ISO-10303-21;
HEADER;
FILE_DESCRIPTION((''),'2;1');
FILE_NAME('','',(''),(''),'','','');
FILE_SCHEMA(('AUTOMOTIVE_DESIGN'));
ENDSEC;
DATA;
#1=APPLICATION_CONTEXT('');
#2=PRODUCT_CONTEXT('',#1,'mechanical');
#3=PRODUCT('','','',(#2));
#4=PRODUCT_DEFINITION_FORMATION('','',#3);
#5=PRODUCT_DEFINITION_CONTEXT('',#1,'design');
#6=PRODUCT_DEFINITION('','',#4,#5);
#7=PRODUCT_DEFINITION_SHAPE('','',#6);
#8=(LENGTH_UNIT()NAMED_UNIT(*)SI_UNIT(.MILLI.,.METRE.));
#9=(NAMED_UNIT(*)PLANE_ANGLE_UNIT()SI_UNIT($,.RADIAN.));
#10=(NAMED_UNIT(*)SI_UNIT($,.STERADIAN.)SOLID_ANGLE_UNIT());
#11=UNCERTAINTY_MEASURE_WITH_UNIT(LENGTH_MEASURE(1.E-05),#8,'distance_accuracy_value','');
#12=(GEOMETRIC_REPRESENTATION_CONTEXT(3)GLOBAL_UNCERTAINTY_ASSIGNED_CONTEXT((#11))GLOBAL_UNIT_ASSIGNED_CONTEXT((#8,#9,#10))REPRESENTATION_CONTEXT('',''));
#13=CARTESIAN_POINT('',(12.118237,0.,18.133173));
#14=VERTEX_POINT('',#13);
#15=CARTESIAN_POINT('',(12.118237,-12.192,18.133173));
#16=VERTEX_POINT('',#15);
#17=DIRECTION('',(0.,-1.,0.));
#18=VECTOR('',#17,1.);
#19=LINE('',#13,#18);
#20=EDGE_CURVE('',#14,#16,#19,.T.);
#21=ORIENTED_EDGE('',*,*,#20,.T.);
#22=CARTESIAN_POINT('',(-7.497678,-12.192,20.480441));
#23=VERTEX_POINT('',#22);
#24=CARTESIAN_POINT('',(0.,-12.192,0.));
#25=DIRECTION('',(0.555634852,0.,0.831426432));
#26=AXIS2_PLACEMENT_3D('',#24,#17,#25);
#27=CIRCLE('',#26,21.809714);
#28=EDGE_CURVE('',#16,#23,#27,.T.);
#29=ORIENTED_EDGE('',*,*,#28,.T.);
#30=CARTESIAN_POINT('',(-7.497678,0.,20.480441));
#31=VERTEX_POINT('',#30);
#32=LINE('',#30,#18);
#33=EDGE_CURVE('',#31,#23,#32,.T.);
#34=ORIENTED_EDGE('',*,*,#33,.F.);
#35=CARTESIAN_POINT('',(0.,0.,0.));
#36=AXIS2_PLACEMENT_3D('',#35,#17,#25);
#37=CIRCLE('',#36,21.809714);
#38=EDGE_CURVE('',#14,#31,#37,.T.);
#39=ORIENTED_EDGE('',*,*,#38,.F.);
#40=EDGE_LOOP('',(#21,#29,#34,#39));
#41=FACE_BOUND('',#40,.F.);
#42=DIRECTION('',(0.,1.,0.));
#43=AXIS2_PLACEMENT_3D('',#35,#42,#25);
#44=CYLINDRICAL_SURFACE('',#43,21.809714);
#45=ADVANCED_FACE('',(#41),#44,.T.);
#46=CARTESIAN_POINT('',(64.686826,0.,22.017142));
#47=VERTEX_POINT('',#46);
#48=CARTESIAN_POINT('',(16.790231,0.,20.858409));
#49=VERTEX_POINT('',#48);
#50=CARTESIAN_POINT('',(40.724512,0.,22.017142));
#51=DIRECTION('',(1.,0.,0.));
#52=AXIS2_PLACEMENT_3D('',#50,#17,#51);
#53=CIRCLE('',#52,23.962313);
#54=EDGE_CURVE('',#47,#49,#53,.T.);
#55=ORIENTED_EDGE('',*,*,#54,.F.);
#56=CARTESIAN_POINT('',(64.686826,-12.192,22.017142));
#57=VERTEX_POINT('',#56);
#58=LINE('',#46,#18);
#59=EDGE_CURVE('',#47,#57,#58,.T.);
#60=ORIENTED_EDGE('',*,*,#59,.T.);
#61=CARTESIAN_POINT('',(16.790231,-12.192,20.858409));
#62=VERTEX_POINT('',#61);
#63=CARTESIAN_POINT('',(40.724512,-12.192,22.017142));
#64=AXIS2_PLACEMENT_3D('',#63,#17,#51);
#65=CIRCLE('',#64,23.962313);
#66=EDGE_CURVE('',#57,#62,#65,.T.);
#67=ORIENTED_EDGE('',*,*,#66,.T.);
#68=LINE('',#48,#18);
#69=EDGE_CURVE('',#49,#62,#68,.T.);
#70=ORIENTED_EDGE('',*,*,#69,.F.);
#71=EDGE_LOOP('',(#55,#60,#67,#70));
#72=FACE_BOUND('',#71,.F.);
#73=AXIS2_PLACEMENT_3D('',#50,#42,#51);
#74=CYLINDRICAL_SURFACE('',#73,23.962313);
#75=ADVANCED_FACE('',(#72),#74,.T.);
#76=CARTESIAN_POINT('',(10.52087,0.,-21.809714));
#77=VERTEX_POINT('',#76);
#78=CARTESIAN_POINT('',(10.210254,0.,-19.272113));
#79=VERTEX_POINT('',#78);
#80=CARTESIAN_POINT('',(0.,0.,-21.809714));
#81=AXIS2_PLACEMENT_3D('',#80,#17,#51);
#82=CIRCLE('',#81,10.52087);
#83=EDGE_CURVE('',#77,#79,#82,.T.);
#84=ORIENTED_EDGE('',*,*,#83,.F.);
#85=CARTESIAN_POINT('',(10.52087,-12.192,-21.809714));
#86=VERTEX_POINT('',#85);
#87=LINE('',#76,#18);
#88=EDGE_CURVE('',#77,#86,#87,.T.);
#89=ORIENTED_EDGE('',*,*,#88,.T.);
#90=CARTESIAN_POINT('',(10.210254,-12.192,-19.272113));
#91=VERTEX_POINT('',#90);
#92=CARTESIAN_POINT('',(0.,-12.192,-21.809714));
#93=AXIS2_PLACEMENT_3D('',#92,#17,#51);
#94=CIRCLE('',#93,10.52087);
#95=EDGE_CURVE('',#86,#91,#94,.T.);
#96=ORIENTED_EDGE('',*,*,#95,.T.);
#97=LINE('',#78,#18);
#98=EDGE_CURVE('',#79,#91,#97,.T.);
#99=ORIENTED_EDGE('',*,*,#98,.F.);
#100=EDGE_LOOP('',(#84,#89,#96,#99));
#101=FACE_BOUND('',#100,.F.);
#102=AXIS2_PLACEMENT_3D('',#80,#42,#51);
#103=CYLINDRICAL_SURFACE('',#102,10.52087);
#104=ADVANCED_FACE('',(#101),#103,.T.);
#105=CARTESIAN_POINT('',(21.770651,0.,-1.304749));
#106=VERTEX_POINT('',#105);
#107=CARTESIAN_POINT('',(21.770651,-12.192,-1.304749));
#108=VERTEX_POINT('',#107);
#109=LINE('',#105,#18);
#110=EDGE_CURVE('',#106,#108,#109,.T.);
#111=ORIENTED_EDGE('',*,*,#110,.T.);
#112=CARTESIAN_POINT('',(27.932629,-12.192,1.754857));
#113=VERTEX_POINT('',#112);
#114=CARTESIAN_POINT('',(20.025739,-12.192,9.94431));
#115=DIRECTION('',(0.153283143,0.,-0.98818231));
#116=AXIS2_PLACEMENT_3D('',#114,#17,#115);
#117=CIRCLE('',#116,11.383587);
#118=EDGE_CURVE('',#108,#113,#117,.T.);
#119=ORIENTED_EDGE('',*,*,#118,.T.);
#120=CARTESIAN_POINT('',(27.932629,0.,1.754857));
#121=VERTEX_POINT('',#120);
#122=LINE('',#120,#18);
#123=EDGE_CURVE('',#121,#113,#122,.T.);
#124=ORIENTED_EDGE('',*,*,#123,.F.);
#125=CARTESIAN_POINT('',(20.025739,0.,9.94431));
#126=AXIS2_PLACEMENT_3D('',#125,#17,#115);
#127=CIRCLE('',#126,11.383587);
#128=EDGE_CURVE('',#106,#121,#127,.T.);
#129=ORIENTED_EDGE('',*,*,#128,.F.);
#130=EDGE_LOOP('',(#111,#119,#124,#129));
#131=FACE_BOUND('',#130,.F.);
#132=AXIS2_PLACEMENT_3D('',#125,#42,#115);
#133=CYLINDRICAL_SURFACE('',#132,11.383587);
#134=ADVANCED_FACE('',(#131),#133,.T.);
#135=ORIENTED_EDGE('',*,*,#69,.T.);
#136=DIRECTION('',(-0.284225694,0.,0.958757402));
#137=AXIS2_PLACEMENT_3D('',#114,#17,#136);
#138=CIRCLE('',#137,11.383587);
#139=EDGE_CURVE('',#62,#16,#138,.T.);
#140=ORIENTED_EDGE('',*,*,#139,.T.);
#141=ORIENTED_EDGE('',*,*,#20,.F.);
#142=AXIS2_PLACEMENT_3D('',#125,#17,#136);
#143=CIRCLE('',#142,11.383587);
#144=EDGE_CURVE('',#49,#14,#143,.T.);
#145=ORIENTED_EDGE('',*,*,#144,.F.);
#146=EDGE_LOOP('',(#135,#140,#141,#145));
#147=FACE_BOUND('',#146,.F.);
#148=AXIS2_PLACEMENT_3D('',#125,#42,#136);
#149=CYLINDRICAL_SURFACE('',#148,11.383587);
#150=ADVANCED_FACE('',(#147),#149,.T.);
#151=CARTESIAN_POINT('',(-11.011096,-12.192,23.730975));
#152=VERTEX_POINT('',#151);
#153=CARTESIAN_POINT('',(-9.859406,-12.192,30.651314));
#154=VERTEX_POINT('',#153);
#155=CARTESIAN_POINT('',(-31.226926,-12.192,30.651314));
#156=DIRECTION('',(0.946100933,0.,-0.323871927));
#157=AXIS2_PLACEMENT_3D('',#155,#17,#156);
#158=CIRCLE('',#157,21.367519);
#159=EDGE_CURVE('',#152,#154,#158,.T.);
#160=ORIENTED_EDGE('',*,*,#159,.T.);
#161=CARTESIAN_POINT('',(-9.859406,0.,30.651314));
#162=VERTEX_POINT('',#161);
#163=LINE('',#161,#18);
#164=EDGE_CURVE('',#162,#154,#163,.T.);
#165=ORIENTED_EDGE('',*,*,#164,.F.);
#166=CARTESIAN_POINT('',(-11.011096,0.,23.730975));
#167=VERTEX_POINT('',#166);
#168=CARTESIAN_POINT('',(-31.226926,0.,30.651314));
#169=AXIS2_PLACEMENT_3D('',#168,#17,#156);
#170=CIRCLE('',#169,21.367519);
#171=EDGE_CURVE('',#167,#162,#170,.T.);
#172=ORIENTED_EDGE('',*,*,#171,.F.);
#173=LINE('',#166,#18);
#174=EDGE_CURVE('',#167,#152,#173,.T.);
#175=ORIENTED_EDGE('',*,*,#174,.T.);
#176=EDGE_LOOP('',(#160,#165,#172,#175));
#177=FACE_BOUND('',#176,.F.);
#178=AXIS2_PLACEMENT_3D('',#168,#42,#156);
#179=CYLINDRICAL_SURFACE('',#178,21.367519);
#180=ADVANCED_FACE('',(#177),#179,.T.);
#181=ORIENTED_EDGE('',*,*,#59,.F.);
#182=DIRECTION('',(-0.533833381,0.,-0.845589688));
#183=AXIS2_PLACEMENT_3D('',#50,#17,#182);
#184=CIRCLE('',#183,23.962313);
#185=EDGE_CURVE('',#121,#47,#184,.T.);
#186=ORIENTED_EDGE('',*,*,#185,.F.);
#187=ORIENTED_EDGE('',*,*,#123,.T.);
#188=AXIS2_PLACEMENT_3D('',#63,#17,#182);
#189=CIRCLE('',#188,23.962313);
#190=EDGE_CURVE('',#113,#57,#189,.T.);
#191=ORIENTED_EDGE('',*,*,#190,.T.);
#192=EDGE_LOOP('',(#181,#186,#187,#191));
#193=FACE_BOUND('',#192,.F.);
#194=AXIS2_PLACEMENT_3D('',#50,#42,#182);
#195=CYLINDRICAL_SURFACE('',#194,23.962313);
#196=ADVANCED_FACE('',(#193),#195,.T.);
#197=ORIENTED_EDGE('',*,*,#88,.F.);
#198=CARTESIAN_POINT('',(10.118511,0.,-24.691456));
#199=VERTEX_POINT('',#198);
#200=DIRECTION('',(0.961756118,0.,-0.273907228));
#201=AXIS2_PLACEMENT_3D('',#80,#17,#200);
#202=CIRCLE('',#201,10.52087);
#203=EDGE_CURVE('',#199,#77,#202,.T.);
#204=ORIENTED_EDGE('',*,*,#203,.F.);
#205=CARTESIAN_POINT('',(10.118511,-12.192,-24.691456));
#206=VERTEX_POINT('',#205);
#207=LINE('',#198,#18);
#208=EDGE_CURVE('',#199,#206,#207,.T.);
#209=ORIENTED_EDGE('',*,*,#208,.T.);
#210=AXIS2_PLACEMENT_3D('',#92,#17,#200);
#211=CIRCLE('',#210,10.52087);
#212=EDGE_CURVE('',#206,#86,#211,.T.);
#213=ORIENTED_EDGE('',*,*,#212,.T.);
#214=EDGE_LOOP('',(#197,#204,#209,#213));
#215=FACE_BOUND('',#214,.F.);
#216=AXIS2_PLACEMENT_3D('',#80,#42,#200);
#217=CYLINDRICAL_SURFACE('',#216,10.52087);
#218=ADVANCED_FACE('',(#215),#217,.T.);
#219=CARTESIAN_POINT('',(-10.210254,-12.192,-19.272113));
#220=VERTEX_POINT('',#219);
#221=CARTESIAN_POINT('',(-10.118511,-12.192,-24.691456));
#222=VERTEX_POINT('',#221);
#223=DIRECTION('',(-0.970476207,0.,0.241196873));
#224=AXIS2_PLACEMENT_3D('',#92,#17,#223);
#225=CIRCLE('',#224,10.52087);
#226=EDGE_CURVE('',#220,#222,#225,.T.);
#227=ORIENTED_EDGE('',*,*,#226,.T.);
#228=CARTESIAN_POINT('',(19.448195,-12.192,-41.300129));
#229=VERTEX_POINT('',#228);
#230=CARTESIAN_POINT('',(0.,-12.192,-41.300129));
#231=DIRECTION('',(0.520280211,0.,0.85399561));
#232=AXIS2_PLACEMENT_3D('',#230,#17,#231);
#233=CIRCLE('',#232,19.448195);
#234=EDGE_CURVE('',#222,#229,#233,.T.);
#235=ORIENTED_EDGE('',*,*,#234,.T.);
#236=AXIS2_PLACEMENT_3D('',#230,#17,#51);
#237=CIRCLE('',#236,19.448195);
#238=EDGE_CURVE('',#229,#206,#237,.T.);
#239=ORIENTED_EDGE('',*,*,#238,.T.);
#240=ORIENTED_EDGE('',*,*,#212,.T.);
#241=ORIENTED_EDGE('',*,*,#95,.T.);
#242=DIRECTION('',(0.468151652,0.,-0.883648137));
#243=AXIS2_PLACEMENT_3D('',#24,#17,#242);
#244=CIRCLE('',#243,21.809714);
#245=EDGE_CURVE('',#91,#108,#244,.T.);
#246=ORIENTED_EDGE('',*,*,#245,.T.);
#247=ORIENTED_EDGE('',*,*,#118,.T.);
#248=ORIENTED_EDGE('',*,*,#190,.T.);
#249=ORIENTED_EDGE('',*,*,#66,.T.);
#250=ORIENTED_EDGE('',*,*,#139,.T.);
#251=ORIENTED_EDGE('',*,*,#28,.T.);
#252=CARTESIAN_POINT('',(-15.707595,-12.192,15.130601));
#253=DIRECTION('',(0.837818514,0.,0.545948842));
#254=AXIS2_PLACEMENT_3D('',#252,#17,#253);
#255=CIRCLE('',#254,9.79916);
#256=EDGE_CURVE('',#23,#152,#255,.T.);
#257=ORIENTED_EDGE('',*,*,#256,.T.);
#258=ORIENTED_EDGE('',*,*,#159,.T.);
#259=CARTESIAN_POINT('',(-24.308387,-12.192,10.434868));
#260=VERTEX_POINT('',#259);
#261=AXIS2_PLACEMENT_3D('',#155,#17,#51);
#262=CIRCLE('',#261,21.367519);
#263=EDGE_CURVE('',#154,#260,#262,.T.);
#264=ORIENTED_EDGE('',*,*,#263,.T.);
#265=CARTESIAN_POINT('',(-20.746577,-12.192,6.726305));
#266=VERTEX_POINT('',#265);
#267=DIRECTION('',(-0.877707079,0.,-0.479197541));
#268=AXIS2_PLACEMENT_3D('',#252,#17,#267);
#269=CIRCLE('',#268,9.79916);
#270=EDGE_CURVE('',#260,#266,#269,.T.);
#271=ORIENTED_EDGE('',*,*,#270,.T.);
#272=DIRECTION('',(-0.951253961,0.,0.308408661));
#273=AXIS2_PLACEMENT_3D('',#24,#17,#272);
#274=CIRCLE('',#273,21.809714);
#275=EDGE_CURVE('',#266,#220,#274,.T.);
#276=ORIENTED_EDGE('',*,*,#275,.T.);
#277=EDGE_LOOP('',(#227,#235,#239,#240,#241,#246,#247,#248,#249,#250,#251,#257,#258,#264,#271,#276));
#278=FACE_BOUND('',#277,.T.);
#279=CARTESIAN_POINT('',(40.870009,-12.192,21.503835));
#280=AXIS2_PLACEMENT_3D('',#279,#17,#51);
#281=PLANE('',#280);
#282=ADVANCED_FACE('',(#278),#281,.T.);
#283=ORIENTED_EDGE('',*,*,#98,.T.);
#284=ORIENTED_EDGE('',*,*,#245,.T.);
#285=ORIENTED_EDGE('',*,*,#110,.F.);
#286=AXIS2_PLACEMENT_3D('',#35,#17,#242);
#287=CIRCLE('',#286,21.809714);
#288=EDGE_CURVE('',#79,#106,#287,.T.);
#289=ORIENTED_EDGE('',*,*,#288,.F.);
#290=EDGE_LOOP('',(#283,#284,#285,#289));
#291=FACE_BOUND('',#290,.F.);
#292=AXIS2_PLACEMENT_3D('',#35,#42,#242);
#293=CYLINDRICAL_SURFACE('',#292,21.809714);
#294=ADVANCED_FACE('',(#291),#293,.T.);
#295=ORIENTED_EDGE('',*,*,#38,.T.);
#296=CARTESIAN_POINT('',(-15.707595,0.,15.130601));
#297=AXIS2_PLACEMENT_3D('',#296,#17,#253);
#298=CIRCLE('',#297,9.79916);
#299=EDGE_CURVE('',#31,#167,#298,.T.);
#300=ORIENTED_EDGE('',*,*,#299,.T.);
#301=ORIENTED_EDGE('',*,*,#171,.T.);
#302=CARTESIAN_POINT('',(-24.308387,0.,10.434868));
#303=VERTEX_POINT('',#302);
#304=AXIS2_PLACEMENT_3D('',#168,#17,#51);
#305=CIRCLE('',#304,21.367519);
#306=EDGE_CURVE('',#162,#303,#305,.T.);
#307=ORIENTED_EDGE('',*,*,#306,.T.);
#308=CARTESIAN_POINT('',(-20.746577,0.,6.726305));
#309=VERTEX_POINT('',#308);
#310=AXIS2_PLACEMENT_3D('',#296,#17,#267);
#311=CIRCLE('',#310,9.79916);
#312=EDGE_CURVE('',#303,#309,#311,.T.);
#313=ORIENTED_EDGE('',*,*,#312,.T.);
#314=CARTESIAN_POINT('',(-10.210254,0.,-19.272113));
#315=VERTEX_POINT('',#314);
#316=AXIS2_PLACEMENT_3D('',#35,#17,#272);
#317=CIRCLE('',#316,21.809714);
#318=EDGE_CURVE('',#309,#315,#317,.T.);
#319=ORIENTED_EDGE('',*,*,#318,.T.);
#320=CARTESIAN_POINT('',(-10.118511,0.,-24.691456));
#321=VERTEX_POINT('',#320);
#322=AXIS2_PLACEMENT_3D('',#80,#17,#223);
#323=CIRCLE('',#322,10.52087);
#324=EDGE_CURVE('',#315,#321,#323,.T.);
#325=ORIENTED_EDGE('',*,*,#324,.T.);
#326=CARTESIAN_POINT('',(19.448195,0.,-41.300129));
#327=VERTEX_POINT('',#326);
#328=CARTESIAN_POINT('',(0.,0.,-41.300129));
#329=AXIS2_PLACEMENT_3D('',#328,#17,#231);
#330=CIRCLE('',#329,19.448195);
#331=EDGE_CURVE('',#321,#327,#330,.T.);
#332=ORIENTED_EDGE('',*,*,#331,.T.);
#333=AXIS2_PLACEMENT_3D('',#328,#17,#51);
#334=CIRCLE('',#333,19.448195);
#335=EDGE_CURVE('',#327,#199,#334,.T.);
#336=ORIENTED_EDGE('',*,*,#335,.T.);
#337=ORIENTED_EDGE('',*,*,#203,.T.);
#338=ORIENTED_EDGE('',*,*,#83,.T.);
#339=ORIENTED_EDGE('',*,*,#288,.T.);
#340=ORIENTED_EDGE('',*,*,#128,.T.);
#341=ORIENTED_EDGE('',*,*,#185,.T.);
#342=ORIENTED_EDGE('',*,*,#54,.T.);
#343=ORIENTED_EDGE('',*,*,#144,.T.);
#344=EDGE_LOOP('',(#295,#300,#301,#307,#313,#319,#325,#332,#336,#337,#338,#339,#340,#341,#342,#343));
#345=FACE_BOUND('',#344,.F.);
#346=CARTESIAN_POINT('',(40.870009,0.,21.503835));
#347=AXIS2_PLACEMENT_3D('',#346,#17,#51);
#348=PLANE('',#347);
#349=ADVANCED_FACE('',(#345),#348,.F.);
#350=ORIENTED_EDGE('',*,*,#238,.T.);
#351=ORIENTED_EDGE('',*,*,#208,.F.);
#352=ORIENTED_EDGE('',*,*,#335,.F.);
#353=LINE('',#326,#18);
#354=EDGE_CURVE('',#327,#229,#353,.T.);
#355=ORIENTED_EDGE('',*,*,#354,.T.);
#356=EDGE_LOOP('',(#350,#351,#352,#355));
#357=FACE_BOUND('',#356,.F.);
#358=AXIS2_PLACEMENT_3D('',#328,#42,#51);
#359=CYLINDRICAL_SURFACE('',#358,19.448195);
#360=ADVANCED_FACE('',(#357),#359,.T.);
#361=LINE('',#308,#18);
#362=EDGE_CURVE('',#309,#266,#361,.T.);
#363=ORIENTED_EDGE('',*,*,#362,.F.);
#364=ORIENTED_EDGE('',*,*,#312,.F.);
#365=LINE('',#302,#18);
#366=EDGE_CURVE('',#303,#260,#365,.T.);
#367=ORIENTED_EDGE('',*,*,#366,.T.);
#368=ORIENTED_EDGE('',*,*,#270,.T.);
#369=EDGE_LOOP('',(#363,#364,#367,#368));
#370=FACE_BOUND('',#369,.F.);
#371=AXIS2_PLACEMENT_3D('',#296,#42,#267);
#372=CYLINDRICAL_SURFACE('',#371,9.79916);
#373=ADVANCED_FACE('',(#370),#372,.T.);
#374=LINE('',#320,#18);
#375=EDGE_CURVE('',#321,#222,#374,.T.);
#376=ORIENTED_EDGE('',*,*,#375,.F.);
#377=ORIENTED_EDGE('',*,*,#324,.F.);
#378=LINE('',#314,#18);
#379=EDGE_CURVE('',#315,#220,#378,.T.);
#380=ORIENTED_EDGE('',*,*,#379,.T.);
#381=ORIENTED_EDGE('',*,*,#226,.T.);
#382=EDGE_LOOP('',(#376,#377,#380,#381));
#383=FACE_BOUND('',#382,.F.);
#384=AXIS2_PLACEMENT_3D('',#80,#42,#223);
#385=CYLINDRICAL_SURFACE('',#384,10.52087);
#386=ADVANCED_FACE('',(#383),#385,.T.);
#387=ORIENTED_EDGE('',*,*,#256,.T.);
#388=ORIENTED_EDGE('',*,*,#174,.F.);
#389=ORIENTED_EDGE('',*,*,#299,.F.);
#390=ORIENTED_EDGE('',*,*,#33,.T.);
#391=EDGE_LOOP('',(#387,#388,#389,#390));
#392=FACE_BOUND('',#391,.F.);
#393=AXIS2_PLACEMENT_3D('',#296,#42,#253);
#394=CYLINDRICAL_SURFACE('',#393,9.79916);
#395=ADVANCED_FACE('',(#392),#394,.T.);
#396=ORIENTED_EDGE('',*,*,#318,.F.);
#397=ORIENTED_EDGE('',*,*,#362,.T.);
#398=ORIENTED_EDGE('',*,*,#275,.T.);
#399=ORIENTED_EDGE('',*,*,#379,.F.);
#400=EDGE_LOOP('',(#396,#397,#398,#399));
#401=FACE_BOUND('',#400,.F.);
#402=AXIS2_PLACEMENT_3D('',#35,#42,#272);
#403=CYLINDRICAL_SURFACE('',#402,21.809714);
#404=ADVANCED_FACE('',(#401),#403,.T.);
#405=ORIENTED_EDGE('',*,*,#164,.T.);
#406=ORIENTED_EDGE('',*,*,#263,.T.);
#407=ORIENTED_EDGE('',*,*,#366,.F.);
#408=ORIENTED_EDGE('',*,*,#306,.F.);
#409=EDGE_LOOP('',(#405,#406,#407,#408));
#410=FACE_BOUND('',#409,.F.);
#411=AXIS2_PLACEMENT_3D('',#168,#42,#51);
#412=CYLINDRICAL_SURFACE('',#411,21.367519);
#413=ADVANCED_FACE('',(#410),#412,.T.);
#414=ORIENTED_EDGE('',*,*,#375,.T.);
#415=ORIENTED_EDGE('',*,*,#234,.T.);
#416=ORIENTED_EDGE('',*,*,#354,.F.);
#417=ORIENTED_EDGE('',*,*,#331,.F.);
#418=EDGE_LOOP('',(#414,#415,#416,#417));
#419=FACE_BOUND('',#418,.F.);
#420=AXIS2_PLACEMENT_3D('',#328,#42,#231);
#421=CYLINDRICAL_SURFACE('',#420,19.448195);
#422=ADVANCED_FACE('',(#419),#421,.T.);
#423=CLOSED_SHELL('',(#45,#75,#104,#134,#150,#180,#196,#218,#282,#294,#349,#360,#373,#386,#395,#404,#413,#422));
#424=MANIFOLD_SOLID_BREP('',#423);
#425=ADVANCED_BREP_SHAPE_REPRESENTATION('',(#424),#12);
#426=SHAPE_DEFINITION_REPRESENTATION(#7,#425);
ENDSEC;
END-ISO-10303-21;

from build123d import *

# Parameters (mm, degrees)
F0_R     = 11.2833128168
F0_R_2   = 10.6488130987
F0_R_3   = 7.8884517035
F1_DEPTH = 12.192


with BuildPart() as f1:
    # F0 (on Front) → F1 (new body)
    with BuildSketch(Plane.XZ):
        with BuildLine():
            ThreePointArc((64.6868256307, 22.0171418041), (40.1449761113, 45.972446089), (16.7902312728, 20.8584086847))
            ThreePointArc((16.7902312728, 20.8584086847), (26.8358189915, 19.0661999212), (31.4093265462, 9.9443101218))
            ThreePointArc((31.4093265462, 9.9443101218), (30.5041655093, 5.4958673793), (27.9326293781, 1.754856652))
            ThreePointArc((27.9326293781, 1.7548566521), (52.2932061526, 1.0324381979), (64.6868256307, 22.0171418041))
        make_face()
        with Locations((40.7245121896, 22.0171418041)):
            Circle(F0_R, mode=Mode.SUBTRACT)
        with BuildLine():
            ThreePointArc((-24.308387046, 10.4348676669), (-22.6363387801, 22.0599619939), (-11.011095527, 23.7309745073))
            ThreePointArc((-11.011095527, 23.7309745073), (-10.1492949348, 27.1435552972), (-9.8594061629, 30.6513141841))
            ThreePointArc((-9.8594061629, 30.6513141841), (-48.6108677185, 43.0758640586), (-24.308387046, 10.4348676669))
        make_face()
        with Locations((-31.2269255519, 30.6513141841)):
            Circle(F0_R_2, mode=Mode.SUBTRACT)
        with BuildLine():
            ThreePointArc((10.1185107772, -24.6914563469), (0, -32.330583777), (-10.1185107772, -24.6914563469))
            ThreePointArc((-10.1185107772, -24.6914563469), (-9.5248492378, -58.2562348148), (19.4481945814, -41.3001291454))
            ThreePointArc((19.4481945814, -41.3001291454), (16.9561056694, -31.7752799076), (10.1185107772, -24.6914563469))
        make_face()
        with Locations((0, -41.3001291454)):
            Circle(F0_R_3, mode=Mode.SUBTRACT)
        with BuildLine():
            ThreePointArc((21.7706513012, -1.3047494562), (9.830025267, 4.8813588587), (12.1182372643, 18.1331727733))
            ThreePointArc((12.1182372643, 18.1331727733), (2.5912950244, 21.6552261433), (-7.4976775725, 20.4804409191))
            ThreePointArc((-7.4976775725, 20.4804409191), (-6.3141445246, 17.9210524787), (-5.9084352697, 15.1306009623))
            ThreePointArc((-5.9084352697, 15.1306009623), (-10.8782191013, 6.6041327124), (-20.7465769258, 6.7263047123))
            ThreePointArc((-20.7465769258, 6.7263047123), (-20.2128863485, -8.1916332123), (-10.2102536974, -19.2721132379))
            ThreePointArc((-10.2102536974, -19.2721132379), (0, -11.2888444275), (10.2102536974, -19.2721132379))
            ThreePointArc((10.2102536974, -19.2721132379), (18.3412407282, -11.8009541043), (21.7706513012, -1.3047494562))
        make_face()
        with Locations((40.7245121896, 22.0171418041)):
            Circle(F0_R)
        with Locations((-31.2269255519, 30.6513141841)):
            Circle(F0_R_2)
        with Locations((0, -41.3001291454)):
            Circle(F0_R_3)
        with BuildLine():
            ThreePointArc((31.4093265462, 9.9443101218), (26.8358189915, 19.0661999212), (16.7902312728, 20.8584086847))
            ThreePointArc((16.7902312728, 20.8584086847), (20.0257392642, 9.9443101218), (27.9326293781, 1.7548566521))
            ThreePointArc((27.9326293781, 1.754856652), (30.5041655093, 5.4958673793), (31.4093265462, 9.9443101218))
        make_face()
        with BuildLine():
            ThreePointArc((21.7706513012, -1.3047494562), (21.7999462146, -0.6526670372), (21.8097141022, 0))
            ThreePointArc((21.8097141022, 0), (19.2348501343, 10.2802806154), (12.1182372643, 18.1331727733))
            ThreePointArc((12.1182372643, 18.1331727733), (9.830025267, 4.8813588587), (21.7706513012, -1.3047494562))
        make_face()
        with BuildLine():
            ThreePointArc((-10.2102536974, -19.2721132379), (0, -21.8097141022), (10.2102536974, -19.2721132379))
            ThreePointArc((10.2102536974, -19.2721132379), (0, -11.2888444275), (-10.2102536974, -19.2721132379))
        make_face()
        with BuildLine():
            ThreePointArc((10.1185107772, -24.6914563469), (0, -21.851934564), (-10.1185107772, -24.6914563469))
            ThreePointArc((-10.1185107772, -24.6914563469), (0, -32.330583777), (10.1185107772, -24.6914563469))
        make_face()
        with BuildLine():
            ThreePointArc((-5.9084352697, 15.1306009623), (-6.3141445246, 17.9210524787), (-7.4976775725, 20.4804409191))
            ThreePointArc((-7.4976775725, 20.4804409191), (-15.7075950973, 15.1306009623), (-20.7465769258, 6.7263047123))
            ThreePointArc((-20.7465769258, 6.7263047123), (-10.8782191013, 6.6041327124), (-5.9084352697, 15.1306009623))
        make_face()
        with BuildLine():
            ThreePointArc((-24.308387046, 10.4348676669), (-16.1184807885, 15.5415232633), (-11.011095527, 23.7309745073))
            ThreePointArc((-11.011095527, 23.7309745073), (-22.6363387801, 22.0599619939), (-24.308387046, 10.4348676669))
        make_face()
        with BuildLine():
            ThreePointArc((12.1182372643, 18.1331727733), (19.2348501343, 10.2802806154), (21.8097141022, 0))
            ThreePointArc((21.8097141022, 0), (21.7999462146, -0.6526670372), (21.7706513012, -1.3047494562))
            ThreePointArc((21.7706513012, -1.3047494562), (25.0883096167, -0.2515930178), (27.9326293781, 1.754856652))
            ThreePointArc((27.9326293781, 1.7548566521), (20.0257392642, 9.9443101218), (16.7902312728, 20.8584086847))
            ThreePointArc((16.7902312728, 20.8584086847), (14.2900269624, 19.7772986702), (12.1182372643, 18.1331727733))
        make_face()
        with BuildLine():
            ThreePointArc((-20.7465769258, 6.7263047123), (-15.7075950973, 15.1306009623), (-7.4976775725, 20.4804409191))
            ThreePointArc((-7.4976775725, 20.4804409191), (-9.0528680022, 22.323523916), (-11.011095527, 23.7309745073))
            ThreePointArc((-11.011095527, 23.7309745073), (-16.1184807885, 15.5415232633), (-24.308387046, 10.4348676669))
            ThreePointArc((-24.308387046, 10.4348676669), (-22.7750710945, 8.3427945158), (-20.7465769258, 6.7263047123))
        make_face()
        with BuildLine():
            ThreePointArc((10.5208696747, -21.8097141022), (10.4429269654, -20.5314437443), (10.2102536974, -19.2721132379))
            ThreePointArc((10.2102536974, -19.2721132379), (0, -21.8097141022), (-10.2102536974, -19.2721132379))
            ThreePointArc((-10.2102536974, -19.2721132379), (-10.5193624426, -21.9877941777), (-10.1185107772, -24.6914563469))
            ThreePointArc((-10.1185107772, -24.6914563469), (0, -21.851934564), (10.1185107772, -24.6914563469))
            ThreePointArc((10.1185107772, -24.6914563469), (10.4197944294, -23.2645621224), (10.5208696747, -21.8097141022))
        make_face()
    extrude(amount=F1_DEPTH)


solid = f1.part
